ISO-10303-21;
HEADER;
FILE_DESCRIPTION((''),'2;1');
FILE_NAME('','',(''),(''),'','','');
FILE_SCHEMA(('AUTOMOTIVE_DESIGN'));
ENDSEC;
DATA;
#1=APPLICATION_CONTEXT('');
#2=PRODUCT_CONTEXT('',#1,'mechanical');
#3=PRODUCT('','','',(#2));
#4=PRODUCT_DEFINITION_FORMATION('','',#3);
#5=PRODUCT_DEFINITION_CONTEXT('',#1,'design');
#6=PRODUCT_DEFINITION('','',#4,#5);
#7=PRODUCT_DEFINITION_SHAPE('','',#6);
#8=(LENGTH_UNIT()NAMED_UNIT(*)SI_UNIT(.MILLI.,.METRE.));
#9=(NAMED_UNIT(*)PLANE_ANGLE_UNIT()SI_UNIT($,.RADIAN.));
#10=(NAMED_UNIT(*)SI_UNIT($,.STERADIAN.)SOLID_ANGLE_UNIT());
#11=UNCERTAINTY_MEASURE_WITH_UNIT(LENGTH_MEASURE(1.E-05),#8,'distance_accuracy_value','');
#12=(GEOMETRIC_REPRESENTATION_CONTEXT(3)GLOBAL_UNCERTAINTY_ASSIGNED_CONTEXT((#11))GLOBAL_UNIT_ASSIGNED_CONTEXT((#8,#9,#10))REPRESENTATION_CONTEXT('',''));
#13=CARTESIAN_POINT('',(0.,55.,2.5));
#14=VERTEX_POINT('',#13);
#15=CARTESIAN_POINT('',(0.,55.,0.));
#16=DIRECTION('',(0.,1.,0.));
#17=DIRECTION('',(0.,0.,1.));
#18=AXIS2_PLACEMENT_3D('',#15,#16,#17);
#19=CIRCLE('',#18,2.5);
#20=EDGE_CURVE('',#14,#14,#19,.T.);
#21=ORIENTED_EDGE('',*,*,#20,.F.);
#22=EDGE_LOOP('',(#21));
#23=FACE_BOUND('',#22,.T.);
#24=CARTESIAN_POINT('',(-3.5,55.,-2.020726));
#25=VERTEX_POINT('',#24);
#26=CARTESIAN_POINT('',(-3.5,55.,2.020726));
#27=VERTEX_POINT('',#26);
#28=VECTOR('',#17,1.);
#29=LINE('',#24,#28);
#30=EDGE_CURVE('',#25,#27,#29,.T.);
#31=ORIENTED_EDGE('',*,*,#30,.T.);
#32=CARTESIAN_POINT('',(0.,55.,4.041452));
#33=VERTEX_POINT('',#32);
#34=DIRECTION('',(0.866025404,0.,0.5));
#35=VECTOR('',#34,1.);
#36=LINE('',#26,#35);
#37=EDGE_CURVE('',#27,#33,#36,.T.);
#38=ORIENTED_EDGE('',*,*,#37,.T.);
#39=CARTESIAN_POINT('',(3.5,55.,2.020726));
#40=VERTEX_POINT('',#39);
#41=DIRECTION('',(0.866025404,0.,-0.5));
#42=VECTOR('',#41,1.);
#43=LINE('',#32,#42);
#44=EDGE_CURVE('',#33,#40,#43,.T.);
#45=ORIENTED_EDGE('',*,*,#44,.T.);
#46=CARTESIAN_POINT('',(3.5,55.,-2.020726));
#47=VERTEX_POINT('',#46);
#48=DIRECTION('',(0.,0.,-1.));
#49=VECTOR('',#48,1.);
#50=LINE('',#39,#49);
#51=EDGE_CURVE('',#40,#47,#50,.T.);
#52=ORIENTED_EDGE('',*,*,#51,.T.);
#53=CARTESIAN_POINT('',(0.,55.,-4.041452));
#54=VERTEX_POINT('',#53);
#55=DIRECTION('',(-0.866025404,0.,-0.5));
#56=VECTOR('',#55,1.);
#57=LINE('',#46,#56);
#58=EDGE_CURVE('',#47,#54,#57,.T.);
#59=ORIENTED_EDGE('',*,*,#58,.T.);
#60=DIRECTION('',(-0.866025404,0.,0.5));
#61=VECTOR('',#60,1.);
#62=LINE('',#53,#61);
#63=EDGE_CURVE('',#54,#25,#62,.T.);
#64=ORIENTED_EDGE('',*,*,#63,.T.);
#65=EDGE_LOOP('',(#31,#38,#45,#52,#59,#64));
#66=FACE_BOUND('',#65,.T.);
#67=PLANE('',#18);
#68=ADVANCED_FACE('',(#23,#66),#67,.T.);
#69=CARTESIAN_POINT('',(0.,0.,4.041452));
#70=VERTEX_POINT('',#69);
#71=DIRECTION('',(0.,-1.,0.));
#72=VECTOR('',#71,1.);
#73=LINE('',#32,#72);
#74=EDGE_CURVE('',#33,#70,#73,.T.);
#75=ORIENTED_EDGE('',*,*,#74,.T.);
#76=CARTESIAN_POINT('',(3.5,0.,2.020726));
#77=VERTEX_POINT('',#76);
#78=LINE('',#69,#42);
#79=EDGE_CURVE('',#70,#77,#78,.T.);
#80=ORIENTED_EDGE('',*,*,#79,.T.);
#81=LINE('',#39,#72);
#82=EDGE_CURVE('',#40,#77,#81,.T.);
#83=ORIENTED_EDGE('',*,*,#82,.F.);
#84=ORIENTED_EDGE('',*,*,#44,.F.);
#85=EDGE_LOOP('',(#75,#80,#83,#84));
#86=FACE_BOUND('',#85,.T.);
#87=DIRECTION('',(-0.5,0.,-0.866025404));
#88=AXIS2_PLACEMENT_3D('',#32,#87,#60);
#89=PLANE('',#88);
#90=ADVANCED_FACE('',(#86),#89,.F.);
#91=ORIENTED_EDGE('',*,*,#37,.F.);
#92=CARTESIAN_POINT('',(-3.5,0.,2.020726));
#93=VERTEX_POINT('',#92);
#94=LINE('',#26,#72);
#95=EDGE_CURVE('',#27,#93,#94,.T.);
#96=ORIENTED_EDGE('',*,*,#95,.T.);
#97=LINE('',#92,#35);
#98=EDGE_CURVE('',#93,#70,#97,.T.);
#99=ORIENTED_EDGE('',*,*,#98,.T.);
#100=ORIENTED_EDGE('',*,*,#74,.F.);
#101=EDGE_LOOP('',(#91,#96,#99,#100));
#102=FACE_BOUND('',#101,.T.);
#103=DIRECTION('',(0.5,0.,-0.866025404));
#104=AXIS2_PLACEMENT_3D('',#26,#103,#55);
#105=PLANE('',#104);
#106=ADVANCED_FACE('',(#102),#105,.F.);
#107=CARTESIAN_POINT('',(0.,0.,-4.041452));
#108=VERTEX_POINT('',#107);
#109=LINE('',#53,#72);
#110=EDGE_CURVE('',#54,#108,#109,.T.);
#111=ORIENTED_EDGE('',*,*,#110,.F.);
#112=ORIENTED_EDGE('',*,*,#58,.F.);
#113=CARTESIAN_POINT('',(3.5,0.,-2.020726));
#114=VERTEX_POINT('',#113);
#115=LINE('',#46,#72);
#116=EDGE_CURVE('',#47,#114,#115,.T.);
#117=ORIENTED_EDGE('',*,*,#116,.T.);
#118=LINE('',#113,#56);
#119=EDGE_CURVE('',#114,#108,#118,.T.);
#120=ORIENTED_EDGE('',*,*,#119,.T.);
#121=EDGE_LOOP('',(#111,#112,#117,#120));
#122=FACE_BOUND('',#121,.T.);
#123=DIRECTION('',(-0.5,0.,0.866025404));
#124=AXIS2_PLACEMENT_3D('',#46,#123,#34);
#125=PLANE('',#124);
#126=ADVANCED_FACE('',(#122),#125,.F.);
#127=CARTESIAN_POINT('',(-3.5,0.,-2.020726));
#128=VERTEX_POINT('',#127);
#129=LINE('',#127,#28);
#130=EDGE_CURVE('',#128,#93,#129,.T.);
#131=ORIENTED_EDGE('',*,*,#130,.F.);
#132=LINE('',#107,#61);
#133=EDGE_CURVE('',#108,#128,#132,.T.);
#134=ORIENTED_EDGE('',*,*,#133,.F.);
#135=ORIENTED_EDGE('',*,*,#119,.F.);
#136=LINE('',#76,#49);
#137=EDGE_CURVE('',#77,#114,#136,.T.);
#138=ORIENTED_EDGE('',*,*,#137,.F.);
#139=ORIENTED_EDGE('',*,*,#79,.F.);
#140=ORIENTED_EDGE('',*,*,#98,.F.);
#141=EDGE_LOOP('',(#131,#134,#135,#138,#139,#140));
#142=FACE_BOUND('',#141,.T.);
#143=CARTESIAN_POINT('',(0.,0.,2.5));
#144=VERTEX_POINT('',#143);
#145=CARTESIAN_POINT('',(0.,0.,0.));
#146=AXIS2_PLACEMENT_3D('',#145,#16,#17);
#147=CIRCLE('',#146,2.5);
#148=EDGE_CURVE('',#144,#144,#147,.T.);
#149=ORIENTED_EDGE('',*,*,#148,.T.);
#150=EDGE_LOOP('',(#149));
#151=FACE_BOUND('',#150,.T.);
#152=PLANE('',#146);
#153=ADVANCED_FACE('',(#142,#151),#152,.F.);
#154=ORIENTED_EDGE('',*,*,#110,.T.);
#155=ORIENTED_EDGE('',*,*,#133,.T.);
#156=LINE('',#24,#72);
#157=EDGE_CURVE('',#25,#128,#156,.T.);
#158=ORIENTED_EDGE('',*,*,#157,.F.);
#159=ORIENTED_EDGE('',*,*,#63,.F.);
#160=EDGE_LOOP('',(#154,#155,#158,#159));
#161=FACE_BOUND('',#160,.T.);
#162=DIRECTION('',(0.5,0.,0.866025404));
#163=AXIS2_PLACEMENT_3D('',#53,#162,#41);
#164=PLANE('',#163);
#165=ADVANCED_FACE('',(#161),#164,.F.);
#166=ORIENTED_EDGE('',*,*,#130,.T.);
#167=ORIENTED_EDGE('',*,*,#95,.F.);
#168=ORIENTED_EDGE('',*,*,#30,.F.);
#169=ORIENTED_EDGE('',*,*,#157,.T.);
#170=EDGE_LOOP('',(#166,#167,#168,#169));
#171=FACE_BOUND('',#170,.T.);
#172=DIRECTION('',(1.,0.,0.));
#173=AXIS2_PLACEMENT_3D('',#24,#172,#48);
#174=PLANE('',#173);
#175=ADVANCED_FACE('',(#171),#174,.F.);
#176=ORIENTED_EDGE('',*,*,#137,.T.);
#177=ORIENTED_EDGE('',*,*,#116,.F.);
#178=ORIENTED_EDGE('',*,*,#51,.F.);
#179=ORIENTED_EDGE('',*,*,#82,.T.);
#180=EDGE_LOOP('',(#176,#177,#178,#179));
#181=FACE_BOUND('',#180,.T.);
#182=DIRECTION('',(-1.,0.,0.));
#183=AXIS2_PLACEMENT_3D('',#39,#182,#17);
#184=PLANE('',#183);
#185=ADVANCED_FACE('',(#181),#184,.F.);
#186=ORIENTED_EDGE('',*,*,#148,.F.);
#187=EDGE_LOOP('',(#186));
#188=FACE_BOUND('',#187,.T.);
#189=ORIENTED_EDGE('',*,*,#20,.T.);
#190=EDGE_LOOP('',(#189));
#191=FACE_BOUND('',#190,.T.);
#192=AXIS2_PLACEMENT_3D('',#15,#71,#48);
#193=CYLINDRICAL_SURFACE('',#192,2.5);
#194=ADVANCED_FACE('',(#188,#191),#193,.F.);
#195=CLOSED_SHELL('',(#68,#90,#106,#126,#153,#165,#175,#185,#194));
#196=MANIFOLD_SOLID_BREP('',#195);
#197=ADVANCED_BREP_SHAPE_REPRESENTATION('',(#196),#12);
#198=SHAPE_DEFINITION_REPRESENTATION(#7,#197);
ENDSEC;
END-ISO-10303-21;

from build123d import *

# Parameters (mm, degrees)
SKETCH_1_R      = 2.5
EXTRUDE_1_DEPTH = 55


with BuildPart() as part:
    # 草图1 → 凸台-拉伸1 (new body)
    with BuildSketch(Plane(origin=(0, 0, 0), x_dir=(1, 0, 0), z_dir=(0, 1, 0))):
        Polygon((0, 4.041451884), (-3.5, 2.020725942), (-3.5, -2.020725942), (0, -4.041451884), (3.5, -2.020725942), (3.5, 2.020725942), align=None)
        Circle(SKETCH_1_R, mode=Mode.SUBTRACT)
    extrude(amount=EXTRUDE_1_DEPTH)


solid = part.part
